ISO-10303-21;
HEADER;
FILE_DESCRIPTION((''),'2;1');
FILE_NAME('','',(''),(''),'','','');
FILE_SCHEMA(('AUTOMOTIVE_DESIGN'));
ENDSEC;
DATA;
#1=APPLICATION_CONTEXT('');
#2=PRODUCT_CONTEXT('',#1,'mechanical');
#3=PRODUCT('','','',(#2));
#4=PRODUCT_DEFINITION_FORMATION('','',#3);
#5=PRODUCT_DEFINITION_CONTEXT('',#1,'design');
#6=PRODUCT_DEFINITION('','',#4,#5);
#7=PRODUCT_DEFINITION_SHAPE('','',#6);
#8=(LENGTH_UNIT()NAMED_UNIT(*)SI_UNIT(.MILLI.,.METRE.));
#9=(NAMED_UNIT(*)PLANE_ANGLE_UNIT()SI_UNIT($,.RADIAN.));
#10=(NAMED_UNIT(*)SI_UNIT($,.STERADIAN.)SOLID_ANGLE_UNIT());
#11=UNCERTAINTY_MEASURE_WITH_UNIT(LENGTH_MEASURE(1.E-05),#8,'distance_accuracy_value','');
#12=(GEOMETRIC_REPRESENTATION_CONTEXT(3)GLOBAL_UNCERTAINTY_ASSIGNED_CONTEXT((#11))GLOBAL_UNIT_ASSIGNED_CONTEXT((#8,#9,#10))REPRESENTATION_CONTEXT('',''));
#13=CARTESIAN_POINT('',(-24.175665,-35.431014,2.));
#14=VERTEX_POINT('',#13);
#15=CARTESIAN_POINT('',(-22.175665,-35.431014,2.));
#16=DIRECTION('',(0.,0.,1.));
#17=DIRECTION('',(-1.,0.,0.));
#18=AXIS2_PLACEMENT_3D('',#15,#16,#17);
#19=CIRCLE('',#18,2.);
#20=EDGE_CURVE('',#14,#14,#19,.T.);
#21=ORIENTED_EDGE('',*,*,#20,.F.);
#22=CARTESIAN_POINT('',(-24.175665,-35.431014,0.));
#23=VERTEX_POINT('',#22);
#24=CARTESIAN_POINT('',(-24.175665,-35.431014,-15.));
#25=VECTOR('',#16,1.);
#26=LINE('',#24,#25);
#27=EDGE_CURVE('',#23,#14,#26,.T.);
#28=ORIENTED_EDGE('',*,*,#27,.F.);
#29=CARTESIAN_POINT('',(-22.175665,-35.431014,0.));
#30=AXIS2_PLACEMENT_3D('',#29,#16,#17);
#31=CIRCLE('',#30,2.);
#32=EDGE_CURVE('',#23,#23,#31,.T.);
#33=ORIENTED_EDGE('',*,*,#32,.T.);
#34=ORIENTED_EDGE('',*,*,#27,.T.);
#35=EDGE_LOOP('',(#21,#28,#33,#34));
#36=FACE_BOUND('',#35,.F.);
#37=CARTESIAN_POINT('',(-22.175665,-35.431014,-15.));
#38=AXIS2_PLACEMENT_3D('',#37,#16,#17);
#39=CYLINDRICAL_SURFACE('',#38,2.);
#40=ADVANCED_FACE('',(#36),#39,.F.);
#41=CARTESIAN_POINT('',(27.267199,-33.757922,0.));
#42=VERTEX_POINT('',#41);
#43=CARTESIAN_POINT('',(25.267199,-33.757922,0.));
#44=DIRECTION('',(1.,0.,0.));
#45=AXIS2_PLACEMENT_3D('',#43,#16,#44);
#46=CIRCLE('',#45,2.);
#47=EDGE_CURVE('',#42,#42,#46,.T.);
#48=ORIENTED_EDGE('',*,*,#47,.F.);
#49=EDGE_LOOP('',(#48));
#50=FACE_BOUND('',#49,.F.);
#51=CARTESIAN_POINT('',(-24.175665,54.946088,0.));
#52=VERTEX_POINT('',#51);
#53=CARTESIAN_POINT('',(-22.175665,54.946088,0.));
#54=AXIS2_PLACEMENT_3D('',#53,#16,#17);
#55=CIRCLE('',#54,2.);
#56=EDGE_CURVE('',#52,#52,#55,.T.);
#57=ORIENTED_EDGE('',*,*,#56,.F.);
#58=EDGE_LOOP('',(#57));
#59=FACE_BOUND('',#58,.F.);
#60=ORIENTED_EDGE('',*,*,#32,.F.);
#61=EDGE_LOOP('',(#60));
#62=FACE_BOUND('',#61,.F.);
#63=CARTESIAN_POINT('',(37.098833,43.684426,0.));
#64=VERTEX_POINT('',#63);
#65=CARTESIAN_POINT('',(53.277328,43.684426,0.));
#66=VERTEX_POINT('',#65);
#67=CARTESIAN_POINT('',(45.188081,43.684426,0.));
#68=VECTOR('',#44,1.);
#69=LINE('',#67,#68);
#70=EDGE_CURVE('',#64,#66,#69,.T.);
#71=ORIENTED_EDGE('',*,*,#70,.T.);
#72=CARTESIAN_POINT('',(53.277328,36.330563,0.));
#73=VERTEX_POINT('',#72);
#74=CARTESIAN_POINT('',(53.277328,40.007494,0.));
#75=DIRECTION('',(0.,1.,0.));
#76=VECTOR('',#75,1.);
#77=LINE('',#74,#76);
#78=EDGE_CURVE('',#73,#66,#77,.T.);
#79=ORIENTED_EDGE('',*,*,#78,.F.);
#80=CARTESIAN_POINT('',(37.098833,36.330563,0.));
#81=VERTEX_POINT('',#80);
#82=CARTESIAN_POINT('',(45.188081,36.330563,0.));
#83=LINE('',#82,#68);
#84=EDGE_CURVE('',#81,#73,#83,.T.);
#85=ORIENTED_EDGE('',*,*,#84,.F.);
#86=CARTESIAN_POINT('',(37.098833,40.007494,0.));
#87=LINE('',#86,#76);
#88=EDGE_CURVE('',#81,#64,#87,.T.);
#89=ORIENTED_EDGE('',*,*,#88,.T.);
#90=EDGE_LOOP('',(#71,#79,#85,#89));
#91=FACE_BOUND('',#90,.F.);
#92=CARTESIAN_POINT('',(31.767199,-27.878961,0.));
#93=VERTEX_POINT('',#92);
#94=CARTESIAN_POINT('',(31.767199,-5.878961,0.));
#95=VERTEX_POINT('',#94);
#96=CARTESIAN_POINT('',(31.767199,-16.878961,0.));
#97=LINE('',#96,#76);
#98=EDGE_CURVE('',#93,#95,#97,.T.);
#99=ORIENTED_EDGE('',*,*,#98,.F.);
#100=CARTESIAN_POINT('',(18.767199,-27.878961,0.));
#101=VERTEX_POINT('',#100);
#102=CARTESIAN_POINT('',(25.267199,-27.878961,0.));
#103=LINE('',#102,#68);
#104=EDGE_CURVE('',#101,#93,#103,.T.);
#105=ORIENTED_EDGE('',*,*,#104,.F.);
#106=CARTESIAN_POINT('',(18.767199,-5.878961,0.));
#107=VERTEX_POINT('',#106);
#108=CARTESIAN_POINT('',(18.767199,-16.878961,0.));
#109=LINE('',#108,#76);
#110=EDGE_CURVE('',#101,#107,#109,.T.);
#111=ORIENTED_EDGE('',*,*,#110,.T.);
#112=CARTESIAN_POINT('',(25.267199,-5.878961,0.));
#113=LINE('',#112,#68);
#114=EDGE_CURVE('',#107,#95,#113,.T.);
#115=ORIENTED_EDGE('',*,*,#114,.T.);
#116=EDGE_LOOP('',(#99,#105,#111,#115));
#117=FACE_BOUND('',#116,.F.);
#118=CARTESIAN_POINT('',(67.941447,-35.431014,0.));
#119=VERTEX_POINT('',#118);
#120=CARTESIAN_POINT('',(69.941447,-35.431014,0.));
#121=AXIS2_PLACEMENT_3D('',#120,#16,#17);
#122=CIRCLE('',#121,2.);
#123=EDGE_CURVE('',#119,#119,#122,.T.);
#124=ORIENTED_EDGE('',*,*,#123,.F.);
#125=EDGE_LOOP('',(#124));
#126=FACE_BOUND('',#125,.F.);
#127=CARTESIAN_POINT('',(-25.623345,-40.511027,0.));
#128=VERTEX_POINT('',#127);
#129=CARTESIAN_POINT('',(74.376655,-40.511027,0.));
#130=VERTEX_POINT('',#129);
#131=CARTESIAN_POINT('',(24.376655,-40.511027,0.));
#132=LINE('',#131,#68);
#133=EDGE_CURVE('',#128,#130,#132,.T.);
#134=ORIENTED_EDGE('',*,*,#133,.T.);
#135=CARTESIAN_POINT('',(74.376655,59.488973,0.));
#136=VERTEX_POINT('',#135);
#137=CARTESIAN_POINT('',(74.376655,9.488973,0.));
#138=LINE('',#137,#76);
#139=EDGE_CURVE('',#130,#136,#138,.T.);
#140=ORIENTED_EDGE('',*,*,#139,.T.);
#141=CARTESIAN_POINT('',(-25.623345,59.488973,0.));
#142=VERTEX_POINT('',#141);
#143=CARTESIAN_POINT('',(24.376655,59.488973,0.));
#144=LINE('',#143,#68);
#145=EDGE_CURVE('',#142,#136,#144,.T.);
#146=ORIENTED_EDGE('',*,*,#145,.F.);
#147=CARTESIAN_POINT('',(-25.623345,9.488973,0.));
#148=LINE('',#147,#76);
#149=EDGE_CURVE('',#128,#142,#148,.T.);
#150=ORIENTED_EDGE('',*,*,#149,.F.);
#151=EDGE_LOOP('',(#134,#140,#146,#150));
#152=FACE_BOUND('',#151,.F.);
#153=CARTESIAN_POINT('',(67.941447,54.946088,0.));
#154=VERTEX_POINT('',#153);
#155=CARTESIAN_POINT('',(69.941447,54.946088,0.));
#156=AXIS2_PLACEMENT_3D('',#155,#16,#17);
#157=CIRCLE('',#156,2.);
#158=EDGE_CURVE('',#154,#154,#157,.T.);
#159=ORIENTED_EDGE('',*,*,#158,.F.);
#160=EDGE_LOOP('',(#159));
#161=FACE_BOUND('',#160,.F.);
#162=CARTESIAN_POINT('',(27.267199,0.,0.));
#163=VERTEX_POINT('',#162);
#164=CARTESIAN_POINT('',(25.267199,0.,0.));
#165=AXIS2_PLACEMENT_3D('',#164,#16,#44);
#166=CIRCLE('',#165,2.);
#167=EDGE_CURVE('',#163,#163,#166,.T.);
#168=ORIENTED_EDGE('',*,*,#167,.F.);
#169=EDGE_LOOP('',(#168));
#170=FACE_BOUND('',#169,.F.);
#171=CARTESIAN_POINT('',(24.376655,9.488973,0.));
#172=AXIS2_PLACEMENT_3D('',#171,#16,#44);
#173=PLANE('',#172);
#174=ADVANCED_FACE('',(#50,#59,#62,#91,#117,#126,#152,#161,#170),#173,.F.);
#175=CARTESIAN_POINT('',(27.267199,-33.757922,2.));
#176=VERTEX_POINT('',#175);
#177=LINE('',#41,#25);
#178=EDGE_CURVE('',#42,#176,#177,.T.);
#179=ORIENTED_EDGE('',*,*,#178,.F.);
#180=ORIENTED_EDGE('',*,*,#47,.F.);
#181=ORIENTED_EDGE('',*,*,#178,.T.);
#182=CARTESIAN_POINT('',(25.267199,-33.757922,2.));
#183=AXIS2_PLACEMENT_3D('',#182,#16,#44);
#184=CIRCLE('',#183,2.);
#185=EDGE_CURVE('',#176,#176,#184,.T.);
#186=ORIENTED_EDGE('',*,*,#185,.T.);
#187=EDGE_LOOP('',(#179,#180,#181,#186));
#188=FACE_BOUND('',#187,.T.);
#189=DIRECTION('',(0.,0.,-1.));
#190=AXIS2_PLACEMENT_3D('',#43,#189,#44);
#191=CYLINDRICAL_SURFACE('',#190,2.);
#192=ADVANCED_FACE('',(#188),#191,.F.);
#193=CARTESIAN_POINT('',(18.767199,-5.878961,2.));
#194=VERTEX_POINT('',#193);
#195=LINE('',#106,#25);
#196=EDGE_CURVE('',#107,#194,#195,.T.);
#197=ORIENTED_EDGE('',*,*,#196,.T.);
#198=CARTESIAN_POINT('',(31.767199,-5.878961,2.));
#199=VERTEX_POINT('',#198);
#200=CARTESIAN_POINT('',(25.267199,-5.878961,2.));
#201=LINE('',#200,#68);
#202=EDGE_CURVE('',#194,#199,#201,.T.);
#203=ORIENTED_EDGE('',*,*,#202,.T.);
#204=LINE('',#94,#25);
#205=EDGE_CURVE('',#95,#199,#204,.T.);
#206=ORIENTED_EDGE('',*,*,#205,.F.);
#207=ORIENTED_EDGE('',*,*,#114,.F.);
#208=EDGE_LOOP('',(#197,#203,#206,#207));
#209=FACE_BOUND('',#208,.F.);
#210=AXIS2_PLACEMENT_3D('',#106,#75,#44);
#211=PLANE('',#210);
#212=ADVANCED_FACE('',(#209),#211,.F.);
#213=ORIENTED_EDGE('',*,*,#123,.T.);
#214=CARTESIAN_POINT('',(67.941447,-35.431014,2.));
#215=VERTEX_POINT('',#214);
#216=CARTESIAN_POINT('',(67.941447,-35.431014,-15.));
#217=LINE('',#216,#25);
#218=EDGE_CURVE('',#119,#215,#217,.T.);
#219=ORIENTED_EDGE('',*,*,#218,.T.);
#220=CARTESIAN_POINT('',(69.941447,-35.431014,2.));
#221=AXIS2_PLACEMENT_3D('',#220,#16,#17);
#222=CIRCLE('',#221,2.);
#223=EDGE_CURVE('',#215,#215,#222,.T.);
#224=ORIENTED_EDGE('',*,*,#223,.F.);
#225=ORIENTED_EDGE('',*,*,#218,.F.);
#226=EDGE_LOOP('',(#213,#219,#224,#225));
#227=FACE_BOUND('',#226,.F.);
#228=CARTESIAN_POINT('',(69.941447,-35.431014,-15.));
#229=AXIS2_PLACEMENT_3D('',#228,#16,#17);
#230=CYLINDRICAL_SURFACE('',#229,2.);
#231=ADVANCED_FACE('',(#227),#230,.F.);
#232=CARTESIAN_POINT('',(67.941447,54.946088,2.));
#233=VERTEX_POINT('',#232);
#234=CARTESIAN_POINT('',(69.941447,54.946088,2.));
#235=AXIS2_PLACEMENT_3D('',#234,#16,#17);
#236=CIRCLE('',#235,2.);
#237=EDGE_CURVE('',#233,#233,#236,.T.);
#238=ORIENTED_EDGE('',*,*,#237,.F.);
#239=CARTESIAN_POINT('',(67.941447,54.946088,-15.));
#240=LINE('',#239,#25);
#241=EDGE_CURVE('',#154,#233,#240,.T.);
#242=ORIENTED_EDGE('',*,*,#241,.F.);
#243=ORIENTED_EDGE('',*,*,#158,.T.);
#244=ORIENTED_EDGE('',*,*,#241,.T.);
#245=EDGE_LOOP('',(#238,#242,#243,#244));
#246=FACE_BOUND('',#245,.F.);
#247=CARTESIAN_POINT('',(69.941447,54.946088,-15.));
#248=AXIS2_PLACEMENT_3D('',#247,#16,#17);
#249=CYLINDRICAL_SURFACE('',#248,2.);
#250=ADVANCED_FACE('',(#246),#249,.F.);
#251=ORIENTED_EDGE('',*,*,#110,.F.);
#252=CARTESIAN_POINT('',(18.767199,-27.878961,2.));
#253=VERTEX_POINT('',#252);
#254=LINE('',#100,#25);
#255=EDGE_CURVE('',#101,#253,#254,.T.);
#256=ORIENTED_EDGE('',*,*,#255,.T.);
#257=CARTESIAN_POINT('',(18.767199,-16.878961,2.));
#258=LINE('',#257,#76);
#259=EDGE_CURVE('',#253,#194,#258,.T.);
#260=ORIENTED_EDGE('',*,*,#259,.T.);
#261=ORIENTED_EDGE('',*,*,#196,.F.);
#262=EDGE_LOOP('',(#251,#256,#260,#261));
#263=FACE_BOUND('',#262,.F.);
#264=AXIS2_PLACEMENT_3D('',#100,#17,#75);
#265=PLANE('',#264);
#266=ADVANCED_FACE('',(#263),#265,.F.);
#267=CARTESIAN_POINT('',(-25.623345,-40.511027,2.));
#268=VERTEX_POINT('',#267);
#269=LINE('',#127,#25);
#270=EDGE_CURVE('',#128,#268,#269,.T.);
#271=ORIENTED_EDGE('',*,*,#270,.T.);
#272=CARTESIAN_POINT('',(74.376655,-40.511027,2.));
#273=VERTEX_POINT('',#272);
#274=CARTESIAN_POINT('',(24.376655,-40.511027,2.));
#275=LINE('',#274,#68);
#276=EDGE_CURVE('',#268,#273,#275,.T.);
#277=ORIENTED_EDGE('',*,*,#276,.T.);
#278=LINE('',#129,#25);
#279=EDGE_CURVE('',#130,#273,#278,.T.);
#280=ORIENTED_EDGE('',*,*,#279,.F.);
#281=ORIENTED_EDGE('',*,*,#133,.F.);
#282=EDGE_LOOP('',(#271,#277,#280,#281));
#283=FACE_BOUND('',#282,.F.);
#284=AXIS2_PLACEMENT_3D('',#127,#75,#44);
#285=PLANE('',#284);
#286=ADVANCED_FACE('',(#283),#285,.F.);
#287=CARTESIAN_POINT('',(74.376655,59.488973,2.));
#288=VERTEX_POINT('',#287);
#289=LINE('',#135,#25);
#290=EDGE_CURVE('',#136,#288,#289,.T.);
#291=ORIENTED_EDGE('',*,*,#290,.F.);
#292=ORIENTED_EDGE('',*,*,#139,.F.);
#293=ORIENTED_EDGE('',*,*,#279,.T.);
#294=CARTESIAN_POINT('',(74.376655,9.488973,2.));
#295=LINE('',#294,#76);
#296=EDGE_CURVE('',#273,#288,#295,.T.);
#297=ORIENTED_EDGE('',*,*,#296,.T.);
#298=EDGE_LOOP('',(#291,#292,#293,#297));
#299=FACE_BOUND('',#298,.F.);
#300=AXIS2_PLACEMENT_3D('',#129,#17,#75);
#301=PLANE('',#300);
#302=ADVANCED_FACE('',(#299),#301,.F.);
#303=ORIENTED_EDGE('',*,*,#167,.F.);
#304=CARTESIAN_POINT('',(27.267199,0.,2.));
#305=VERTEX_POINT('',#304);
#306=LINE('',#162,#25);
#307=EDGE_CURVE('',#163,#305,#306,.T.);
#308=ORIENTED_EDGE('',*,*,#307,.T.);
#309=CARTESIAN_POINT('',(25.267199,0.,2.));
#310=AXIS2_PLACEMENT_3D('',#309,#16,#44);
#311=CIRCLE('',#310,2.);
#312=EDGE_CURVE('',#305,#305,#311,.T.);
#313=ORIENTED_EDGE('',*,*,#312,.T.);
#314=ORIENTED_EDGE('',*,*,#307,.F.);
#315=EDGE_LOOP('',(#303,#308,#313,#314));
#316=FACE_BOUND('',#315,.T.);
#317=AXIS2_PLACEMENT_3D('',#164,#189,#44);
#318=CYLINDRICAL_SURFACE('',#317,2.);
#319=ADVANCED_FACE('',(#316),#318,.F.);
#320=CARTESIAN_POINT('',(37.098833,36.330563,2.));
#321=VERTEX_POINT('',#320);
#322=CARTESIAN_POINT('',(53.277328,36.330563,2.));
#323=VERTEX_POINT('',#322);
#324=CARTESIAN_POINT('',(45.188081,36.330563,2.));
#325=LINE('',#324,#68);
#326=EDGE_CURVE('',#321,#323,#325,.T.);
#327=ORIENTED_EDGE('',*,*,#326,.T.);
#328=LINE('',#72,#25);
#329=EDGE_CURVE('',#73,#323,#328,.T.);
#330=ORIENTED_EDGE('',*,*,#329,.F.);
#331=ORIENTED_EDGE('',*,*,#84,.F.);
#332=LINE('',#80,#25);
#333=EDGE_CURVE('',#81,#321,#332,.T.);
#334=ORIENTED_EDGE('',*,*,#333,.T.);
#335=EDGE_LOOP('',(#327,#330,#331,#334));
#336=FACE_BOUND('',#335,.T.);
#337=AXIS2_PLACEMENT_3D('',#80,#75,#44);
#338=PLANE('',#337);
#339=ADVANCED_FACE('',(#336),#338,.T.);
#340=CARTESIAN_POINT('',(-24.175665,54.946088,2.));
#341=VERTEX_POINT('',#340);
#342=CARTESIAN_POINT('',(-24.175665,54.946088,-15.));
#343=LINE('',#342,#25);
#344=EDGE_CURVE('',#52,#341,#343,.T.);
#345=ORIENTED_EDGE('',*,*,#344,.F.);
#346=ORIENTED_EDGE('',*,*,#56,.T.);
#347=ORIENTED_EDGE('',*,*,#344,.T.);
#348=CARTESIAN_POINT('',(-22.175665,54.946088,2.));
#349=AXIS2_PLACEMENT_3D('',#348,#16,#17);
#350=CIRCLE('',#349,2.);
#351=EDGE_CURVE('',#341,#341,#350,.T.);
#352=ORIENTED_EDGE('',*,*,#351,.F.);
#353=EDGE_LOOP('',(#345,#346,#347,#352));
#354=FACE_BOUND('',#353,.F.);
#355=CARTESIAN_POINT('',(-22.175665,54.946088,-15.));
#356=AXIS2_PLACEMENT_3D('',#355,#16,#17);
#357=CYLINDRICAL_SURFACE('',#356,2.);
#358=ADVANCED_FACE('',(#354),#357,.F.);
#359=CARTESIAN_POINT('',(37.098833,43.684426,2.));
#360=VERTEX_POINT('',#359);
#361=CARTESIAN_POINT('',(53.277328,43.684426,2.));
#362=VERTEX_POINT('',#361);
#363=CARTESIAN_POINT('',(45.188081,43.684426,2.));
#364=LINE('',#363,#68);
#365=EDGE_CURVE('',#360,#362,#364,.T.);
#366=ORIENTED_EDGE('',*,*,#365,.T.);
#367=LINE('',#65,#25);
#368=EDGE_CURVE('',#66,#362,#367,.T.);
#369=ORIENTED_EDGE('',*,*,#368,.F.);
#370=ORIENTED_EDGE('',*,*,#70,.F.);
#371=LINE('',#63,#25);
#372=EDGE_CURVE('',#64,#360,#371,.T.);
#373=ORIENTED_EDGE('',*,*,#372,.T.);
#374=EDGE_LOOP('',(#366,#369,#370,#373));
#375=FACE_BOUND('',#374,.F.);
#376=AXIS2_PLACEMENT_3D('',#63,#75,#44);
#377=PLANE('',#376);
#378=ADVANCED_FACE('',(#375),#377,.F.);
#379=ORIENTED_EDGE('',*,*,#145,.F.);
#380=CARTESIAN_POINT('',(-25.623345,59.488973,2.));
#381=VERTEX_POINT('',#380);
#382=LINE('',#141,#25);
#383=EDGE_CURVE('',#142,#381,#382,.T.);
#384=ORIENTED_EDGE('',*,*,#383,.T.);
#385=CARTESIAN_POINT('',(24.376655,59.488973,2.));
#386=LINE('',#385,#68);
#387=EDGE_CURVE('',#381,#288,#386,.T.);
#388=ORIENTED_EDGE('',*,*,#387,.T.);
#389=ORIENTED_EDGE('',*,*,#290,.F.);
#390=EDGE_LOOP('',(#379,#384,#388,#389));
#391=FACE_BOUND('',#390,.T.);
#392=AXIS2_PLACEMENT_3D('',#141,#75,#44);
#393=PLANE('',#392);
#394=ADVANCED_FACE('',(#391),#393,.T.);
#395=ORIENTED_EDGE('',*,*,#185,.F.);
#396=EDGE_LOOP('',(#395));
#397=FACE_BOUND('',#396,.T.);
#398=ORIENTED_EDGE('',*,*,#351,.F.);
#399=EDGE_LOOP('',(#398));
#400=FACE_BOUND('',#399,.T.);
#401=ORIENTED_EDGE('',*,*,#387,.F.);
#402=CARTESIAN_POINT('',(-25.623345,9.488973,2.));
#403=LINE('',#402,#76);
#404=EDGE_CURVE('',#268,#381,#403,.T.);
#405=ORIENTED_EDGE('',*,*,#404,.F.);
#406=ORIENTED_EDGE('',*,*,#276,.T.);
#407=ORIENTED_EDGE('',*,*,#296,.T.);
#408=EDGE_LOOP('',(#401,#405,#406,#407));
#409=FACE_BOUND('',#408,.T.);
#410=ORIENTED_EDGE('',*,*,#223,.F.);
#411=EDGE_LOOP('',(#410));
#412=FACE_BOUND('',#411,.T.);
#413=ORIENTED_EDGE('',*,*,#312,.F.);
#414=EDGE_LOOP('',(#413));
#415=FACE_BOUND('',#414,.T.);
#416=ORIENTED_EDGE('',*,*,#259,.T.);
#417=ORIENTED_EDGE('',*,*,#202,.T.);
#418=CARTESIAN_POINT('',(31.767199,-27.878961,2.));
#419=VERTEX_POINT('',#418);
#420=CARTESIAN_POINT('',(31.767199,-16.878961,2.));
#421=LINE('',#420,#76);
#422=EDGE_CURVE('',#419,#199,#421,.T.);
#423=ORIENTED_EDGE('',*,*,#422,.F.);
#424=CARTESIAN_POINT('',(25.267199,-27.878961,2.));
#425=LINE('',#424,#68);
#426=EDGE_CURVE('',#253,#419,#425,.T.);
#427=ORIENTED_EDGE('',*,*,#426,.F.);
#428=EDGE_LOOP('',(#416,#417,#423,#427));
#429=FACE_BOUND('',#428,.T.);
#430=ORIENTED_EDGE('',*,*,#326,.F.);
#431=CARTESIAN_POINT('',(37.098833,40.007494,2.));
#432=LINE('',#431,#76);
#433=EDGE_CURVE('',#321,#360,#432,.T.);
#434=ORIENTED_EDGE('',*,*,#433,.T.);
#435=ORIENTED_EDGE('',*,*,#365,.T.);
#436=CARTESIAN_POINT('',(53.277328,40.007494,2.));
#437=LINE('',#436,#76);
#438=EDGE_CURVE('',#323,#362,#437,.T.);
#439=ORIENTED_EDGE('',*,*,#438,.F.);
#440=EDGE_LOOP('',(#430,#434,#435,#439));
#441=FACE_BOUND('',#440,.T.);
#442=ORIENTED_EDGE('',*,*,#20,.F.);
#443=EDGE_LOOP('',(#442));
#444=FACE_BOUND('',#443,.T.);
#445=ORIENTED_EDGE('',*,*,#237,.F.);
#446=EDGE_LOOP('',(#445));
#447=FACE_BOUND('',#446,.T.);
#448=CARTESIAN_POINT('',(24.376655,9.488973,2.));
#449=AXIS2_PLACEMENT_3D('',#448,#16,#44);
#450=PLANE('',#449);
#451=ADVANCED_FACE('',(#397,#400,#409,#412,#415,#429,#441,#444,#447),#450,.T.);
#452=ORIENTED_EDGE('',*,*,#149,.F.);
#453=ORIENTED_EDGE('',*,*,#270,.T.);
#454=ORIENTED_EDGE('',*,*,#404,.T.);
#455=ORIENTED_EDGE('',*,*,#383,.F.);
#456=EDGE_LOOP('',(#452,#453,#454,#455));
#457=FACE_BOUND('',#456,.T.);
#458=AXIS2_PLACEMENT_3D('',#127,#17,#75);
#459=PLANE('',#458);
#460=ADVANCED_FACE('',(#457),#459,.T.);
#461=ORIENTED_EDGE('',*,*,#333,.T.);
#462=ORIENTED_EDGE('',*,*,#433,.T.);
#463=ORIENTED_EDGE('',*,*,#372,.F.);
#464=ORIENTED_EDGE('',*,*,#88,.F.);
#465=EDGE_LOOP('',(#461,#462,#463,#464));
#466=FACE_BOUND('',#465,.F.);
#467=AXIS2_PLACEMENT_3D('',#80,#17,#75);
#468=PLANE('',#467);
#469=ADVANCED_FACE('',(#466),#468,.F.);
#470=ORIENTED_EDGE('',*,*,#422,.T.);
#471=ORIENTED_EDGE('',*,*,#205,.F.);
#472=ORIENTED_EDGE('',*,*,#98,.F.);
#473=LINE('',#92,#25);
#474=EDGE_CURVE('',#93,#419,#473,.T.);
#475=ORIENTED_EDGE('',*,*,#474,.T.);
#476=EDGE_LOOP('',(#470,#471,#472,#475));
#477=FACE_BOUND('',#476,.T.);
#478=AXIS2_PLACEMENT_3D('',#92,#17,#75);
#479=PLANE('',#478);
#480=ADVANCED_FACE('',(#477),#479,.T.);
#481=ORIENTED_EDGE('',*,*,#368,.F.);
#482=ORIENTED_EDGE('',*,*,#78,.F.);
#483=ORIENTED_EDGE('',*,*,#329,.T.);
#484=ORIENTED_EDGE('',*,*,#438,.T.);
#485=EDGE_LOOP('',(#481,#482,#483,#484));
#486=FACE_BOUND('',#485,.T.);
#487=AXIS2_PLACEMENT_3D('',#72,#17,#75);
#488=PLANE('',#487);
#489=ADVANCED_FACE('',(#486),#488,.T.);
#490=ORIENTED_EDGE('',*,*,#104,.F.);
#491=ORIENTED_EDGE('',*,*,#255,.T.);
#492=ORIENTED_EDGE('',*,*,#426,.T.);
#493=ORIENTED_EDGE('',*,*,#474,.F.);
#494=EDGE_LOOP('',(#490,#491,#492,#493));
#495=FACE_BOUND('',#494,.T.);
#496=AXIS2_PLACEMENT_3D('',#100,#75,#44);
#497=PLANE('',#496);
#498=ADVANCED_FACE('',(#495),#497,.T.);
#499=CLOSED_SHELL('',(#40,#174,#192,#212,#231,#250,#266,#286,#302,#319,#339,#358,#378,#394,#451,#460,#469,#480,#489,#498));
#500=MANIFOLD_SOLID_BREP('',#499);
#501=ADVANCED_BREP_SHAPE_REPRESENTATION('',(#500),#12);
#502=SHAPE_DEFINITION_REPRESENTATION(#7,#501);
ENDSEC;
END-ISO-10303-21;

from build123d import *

# Parameters (mm, degrees)
F0_W     = 100
F0_H     = 100
F0_R     = 2
F0_W_2   = 13
F0_H_2   = 22
F0_W_3   = 16.1784952506
F0_H_3   = 7.3538627476
F1_DEPTH = 2
F2_D     = 4
F2_DEPTH = 15
F2_TIP   = 1.2017212381


with BuildPart() as f1:
    # F0 (on Top) → F1 (new body)
    with BuildSketch(Plane.XY):
        with Locations((24.3766545396, 9.4889727443)):
            Rectangle(F0_W, F0_H)
        with Locations((25.2671993673, -33.7579216361)):
            Circle(F0_R, mode=Mode.SUBTRACT)
        with Locations((25.2671993673, -16.8789608181)):
            Rectangle(F0_W_2, F0_H_2, mode=Mode.SUBTRACT)
        with Locations((25.2671993673, 0)):
            Circle(F0_R, mode=Mode.SUBTRACT)
        with Locations((45.1880805272, 40.0074942991)):
            Rectangle(F0_W_3, F0_H_3, mode=Mode.SUBTRACT)
    extrude(amount=F1_DEPTH)

    # F2
    with Locations(Plane(origin=(0, 0, 0), x_dir=(1, 0, 0), z_dir=(0, 0, -1))):
        with Locations((-22.1756645401, -54.9460881411), (69.9414474967, 35.4310135335), (69.9414474967, -54.9460881411), (-22.1756645401, 35.4310135335)):
            Hole(F2_D / 2, depth=F2_DEPTH)
            with Locations((0, 0, -(F2_DEPTH + F2_TIP / 2))):  # 118° drill point
                Cone(0, F2_D / 2, F2_TIP, mode=Mode.SUBTRACT)


solid = f1.part
